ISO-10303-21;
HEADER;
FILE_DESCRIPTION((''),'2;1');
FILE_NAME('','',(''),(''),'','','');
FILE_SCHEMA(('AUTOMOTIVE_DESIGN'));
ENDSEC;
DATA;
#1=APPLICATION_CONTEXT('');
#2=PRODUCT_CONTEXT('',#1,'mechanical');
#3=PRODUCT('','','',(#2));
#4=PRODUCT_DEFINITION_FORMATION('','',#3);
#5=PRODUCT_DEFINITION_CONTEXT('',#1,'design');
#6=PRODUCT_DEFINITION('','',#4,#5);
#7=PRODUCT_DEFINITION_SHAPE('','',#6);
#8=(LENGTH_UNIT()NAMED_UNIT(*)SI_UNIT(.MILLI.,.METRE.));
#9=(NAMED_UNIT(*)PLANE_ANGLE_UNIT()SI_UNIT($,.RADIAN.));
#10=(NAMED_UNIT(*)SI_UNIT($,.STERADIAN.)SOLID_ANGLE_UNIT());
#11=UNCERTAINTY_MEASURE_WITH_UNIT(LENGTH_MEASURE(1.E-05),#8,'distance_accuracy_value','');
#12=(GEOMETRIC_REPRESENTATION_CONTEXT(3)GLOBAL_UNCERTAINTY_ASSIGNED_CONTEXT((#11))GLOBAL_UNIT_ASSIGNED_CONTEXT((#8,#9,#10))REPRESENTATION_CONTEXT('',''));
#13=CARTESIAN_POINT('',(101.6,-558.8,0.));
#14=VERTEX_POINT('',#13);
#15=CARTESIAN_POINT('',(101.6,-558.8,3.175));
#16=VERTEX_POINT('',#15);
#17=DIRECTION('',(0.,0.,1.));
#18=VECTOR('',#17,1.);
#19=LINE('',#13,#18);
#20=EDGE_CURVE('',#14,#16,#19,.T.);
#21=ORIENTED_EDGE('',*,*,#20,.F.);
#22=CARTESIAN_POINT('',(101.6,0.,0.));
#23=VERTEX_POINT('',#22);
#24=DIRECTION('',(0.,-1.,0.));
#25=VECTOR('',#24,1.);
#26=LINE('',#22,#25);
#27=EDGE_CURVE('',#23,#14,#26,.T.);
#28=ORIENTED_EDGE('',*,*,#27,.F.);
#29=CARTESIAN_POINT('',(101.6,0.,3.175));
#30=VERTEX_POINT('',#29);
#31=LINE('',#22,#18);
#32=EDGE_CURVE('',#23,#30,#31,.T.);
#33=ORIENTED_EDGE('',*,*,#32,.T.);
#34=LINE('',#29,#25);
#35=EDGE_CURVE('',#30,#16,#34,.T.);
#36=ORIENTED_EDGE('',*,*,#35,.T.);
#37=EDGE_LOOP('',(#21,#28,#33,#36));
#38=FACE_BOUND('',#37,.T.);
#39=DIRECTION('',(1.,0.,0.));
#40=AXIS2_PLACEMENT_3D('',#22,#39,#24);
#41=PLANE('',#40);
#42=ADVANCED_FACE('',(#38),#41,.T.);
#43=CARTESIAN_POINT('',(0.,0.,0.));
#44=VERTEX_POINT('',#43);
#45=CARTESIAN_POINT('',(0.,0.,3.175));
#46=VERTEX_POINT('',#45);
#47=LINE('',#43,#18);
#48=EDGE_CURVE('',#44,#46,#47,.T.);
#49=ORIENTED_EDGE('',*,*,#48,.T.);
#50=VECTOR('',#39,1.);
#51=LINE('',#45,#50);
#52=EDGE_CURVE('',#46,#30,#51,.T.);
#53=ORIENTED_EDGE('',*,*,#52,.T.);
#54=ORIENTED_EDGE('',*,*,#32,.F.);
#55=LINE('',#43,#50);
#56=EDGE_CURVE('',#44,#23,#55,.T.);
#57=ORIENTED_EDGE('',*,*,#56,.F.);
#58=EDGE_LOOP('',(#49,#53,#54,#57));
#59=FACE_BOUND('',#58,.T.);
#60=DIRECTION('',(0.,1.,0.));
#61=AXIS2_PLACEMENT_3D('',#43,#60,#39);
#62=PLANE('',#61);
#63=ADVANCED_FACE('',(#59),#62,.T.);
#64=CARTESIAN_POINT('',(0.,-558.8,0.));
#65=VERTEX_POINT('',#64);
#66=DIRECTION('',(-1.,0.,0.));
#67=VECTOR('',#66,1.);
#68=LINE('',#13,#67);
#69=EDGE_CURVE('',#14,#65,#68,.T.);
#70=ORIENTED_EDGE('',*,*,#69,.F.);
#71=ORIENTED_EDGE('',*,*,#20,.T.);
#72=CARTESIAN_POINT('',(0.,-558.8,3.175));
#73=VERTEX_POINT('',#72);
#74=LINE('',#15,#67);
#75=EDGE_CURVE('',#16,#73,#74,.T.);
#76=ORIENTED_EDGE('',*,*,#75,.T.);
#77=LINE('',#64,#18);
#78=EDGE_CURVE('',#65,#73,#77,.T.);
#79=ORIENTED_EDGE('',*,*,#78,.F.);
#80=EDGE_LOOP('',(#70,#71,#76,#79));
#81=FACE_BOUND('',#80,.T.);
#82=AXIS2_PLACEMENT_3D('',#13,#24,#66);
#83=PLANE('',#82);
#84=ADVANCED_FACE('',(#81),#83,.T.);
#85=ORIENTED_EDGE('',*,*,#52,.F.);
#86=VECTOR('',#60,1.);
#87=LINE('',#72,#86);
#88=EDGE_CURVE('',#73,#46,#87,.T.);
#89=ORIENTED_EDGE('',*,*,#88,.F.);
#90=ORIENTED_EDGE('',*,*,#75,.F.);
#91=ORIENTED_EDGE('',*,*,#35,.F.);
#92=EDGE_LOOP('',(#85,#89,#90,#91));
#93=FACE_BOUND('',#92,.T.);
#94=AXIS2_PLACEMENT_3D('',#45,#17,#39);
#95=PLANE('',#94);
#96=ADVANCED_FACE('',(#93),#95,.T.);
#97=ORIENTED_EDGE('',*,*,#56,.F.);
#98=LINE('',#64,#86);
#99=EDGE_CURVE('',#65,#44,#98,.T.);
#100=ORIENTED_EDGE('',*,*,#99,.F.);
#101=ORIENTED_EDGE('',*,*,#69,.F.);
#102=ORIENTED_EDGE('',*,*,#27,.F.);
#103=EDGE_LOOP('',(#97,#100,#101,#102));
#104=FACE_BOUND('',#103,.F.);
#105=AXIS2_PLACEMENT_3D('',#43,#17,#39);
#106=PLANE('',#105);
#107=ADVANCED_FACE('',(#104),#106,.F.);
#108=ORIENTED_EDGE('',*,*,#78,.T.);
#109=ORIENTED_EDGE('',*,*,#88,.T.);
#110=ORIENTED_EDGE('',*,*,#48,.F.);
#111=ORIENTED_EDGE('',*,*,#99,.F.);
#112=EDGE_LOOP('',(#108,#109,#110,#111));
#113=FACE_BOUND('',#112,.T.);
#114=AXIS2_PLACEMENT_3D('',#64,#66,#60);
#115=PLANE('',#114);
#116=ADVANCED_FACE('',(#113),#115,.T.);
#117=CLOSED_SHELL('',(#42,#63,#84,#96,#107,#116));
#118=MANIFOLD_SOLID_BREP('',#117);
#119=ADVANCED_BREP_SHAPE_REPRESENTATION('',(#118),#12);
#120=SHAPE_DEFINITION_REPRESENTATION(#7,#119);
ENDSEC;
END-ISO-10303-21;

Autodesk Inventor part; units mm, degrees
ref_plane "YZ Plane" through (0, 0, 0) normal (1, 0, 0) x (0, 1, 0)
ref_plane "XZ Plane" through (0, 0, 0) normal (0, 1, 0) x (-1, 0, 0)
ref_plane "XY Plane" through (0, 0, 0) normal (0, 0, 1) x (1, 0, 0)
sketch "Sketch1" plane through (0, 0, 0) normal (0, 0, 1) x (1, 0, 0)
  line L0 (0, 0) -> (101.6, 0)
  line L1 (101.6, 0) -> (101.6, -558.8)
  line L2 (101.6, -558.8) -> (0, -558.8)
  line L3 (0, -558.8) -> (0, 0)
  dimension "d0" = 101.6
  dimension "d1" = 558.8
extrude "Extrusion1" add sketch "Sketch1" along normal blind 3.175
properties part number "Back Brace"
